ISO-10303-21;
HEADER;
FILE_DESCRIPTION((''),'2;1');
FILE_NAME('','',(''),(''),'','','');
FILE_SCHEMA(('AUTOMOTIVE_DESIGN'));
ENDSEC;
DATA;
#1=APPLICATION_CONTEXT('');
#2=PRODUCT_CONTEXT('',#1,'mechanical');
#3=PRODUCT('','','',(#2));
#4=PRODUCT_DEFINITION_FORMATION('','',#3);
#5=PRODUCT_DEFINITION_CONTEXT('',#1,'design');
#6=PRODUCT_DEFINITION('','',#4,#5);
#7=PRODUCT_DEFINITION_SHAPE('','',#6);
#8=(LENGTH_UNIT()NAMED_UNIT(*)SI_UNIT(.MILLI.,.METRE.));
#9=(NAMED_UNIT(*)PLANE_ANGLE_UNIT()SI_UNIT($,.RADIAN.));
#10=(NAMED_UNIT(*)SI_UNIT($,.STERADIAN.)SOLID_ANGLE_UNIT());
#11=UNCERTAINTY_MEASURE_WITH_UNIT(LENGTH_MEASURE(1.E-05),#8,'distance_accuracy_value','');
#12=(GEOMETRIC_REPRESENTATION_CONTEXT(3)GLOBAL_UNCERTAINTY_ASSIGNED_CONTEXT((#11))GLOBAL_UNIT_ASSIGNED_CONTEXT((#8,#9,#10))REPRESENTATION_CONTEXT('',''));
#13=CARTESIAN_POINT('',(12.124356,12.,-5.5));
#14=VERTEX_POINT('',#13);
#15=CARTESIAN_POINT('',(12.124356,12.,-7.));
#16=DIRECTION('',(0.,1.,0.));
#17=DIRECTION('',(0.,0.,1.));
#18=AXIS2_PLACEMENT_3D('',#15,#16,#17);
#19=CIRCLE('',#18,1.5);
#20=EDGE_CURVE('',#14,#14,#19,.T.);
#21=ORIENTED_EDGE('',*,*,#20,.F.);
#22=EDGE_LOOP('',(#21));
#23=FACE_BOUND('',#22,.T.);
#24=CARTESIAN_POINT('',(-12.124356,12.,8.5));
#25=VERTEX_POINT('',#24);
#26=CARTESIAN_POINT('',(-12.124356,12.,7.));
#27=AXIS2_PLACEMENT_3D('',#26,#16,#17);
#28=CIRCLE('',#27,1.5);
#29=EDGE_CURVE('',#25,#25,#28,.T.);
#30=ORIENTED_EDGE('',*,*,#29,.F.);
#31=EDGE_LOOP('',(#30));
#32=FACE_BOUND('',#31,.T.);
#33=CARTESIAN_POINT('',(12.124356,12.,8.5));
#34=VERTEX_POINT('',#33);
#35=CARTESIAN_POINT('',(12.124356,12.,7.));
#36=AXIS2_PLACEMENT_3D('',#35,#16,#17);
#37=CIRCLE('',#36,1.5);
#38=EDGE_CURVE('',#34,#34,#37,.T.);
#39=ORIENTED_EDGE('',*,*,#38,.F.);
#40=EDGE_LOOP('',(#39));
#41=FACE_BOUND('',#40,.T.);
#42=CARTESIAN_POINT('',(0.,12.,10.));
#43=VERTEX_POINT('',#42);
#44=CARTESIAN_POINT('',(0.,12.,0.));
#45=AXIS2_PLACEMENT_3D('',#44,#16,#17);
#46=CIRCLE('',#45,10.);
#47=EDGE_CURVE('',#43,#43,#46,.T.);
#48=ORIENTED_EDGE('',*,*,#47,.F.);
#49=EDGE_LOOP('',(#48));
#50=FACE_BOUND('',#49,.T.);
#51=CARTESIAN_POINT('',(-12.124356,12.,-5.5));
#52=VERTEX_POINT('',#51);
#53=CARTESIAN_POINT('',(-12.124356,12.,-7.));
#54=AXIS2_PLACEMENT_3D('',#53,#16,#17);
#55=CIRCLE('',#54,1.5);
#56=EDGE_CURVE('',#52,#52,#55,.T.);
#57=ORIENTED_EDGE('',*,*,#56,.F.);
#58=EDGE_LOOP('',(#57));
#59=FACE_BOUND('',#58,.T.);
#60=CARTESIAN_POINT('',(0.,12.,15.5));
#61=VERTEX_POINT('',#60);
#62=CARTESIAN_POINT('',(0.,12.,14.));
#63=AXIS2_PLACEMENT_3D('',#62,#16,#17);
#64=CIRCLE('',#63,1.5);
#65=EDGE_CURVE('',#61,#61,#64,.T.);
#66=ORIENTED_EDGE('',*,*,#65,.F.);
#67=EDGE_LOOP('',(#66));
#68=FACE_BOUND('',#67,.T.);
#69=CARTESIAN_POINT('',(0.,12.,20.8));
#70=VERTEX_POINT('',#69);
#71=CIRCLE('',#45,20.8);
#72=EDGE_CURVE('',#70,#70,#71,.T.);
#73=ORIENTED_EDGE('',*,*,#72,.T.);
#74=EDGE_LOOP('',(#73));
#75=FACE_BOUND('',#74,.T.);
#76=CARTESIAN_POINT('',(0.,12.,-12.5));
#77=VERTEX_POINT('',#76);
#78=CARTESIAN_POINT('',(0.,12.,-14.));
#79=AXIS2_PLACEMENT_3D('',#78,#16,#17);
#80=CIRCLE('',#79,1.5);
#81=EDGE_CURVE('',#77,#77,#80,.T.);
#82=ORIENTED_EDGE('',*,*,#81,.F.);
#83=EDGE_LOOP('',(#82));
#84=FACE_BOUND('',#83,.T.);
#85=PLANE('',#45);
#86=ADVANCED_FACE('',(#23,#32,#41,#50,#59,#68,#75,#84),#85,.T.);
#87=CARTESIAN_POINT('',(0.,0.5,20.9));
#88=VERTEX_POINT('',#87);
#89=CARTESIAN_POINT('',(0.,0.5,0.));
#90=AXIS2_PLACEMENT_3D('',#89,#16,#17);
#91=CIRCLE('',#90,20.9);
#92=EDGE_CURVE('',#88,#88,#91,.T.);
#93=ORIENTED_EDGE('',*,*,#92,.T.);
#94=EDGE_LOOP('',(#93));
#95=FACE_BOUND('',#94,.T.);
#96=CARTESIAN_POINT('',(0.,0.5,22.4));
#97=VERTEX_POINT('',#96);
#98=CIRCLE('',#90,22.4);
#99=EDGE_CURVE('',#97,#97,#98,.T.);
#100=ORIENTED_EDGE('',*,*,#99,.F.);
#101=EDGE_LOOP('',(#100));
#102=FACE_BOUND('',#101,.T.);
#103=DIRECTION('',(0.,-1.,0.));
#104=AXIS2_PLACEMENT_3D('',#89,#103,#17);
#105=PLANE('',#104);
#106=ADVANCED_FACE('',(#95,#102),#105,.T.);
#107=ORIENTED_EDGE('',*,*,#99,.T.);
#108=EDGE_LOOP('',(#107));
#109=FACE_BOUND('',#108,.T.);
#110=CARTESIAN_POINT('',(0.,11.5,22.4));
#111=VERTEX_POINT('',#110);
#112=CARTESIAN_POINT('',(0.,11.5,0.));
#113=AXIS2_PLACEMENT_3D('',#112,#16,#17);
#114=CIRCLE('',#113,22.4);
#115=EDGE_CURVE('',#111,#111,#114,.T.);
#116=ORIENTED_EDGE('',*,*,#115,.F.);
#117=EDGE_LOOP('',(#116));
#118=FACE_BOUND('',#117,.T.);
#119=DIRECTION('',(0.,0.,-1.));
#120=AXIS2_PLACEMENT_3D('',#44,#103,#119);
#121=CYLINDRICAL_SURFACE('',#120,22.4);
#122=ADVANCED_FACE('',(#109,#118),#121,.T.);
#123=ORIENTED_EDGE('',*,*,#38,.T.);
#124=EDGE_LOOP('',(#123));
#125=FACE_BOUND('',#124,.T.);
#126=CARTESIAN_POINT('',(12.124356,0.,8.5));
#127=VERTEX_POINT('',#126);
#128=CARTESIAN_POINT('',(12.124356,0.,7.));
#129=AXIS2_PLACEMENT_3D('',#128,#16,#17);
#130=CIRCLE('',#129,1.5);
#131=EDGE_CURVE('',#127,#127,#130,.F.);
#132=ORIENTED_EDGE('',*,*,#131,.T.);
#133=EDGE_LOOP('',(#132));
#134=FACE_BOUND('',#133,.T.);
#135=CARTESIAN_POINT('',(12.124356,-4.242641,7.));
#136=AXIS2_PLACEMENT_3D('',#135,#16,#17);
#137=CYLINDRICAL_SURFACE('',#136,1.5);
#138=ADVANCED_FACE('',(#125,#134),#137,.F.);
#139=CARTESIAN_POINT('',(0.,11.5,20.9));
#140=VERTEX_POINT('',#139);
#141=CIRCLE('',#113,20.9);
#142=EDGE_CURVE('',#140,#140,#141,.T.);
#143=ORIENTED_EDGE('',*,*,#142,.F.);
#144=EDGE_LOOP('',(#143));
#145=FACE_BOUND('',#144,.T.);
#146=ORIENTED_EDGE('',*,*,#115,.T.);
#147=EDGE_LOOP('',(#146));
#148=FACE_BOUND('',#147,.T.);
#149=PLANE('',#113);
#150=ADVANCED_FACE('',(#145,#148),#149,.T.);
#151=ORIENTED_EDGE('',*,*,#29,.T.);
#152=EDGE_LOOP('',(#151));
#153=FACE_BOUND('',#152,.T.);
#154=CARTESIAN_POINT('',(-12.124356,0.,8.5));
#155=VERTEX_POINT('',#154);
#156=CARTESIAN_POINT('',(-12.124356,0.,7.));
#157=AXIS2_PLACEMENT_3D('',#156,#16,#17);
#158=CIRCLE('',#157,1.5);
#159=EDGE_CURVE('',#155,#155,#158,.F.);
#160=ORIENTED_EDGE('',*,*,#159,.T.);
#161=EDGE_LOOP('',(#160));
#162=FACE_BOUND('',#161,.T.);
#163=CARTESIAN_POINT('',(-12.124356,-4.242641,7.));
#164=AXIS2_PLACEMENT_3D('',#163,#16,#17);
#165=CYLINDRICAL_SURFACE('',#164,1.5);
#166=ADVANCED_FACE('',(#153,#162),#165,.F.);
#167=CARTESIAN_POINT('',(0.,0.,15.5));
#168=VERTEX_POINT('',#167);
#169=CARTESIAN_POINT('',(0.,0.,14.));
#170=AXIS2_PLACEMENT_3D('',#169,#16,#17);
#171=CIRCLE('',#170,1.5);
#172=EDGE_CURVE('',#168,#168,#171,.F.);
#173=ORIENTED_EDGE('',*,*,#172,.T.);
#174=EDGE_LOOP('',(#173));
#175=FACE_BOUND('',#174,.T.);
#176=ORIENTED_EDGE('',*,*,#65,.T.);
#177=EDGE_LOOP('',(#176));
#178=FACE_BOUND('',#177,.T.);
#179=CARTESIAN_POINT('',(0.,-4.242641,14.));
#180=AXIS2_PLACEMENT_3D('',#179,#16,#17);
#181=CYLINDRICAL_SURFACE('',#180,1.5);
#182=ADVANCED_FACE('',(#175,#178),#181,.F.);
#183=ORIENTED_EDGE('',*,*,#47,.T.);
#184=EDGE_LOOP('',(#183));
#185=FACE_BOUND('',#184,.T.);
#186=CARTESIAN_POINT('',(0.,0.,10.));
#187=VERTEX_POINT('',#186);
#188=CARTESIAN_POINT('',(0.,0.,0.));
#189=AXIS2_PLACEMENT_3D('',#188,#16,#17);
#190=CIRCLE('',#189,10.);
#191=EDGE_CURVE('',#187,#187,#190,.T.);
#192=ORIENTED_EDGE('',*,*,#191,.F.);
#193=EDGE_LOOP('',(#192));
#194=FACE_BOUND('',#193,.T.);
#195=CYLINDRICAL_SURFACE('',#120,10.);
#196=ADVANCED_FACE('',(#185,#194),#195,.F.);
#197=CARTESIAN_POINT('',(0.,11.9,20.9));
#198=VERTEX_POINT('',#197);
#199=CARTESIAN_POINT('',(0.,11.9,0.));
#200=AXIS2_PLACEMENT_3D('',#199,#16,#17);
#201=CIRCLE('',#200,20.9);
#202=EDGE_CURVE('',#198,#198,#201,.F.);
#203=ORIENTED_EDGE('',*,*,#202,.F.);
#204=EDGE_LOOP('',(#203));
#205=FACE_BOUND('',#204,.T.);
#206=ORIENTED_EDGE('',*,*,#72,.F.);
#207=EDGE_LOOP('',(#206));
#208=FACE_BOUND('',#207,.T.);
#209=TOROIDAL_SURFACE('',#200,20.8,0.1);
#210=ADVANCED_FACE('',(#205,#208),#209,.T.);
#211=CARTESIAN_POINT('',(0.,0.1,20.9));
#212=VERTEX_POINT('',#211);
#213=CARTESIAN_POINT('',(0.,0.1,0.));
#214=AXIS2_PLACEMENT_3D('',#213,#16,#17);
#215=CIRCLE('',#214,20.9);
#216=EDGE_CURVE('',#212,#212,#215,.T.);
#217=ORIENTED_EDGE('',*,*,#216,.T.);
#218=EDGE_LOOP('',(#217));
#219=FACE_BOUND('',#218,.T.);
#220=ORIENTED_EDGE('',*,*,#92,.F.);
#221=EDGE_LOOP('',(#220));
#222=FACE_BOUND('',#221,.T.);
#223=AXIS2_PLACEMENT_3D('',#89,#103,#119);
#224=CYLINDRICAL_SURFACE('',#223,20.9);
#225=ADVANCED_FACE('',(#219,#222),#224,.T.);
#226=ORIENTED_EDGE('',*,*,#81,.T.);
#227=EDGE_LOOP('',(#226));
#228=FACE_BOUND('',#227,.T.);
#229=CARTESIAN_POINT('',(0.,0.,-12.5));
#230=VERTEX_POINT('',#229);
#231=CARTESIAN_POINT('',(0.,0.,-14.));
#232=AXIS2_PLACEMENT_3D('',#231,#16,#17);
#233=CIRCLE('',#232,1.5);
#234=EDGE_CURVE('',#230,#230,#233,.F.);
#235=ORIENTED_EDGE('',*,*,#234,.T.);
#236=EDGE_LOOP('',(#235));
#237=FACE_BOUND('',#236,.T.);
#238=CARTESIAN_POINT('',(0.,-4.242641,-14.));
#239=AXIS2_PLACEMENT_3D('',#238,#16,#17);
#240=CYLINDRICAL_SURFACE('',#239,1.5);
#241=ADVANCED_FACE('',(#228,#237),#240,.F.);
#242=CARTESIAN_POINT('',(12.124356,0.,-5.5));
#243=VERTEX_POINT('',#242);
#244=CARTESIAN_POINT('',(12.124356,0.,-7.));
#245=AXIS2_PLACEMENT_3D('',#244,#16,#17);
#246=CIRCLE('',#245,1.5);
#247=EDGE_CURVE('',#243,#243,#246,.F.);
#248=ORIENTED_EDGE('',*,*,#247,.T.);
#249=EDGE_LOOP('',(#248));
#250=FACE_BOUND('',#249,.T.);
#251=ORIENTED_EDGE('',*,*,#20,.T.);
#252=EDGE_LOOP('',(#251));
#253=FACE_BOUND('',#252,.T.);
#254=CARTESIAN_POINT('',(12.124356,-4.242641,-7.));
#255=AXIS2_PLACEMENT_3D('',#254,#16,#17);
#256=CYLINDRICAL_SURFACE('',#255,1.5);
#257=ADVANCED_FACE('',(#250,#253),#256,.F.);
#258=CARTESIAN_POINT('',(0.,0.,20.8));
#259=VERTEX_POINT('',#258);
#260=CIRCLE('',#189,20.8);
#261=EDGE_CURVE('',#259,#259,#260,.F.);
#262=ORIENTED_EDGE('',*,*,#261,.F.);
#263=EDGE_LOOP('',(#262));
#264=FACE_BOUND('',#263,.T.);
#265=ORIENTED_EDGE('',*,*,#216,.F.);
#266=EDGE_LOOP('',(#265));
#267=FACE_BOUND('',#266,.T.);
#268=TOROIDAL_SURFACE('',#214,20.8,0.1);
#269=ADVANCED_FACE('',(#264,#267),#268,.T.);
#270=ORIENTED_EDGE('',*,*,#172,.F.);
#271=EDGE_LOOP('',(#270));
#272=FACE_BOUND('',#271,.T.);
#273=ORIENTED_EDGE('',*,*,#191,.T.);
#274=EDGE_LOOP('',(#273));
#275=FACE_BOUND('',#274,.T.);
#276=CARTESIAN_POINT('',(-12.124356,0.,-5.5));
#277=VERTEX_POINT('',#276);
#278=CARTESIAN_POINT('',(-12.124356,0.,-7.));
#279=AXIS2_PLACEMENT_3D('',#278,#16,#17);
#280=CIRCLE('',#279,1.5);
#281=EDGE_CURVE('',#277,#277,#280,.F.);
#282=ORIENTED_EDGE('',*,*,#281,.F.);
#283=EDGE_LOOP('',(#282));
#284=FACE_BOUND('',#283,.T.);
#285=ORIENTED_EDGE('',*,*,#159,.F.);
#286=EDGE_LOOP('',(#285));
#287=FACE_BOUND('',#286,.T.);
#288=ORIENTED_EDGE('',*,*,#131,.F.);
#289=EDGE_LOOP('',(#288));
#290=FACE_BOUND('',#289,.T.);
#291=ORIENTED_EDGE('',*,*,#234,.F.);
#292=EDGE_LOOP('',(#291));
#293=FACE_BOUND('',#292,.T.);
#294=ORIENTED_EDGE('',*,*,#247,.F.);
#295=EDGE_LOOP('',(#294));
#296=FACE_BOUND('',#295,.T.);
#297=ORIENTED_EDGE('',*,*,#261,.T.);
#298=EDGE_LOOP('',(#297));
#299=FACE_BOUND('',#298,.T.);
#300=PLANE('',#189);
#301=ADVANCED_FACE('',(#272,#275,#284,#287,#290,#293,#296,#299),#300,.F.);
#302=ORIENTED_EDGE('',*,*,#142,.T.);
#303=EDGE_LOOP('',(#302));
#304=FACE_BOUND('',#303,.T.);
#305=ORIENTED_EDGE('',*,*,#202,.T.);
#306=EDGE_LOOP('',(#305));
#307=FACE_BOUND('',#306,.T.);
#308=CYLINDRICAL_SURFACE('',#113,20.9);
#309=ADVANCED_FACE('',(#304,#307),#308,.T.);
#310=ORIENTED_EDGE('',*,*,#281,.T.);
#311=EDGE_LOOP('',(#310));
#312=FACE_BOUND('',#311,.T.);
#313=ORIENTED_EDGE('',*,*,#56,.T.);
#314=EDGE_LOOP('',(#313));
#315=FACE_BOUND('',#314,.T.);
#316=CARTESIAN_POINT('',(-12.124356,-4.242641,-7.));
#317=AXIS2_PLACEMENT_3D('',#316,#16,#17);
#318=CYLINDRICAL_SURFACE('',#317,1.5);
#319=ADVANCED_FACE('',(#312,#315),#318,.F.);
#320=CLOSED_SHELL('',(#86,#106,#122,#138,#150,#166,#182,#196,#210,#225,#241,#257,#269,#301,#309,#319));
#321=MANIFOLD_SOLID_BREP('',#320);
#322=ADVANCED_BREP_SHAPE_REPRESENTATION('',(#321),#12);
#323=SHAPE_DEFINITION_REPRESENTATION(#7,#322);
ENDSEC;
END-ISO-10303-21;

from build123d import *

# Parameters (mm, degrees)
SKETCH1_R           = 22.4
SKETCH1_R_2         = 10
BOSS_EXTRUDE1_DEPTH = 12
CUT_EXTRUDE1_START  = -0.5
SKETCH2_R           = 22.4
SKETCH2_R_2         = 20.9
CUT_EXTRUDE1_DEPTH  = 0.5
FILLET1_R           = 0.1
FILLET2_R           = 0.1
SKETCH3_R           = 1.5
CUT_EXTRUDE2_DEPTH  = 12


with BuildPart() as part:
    # Sketch1 → Boss-Extrude1 (new body)
    with BuildSketch(Plane(origin=(0, 0, 0), x_dir=(1, 0, 0), z_dir=(0, 1, 0))):
        with Locations(Location((0, 0, 0), (0, 0, 270))):
            Circle(SKETCH1_R)
        with Locations(Location((0, 0, 0), (0, 0, 270))):
            Circle(SKETCH1_R_2, mode=Mode.SUBTRACT)
    extrude(amount=BOSS_EXTRUDE1_DEPTH)

    # Sketch2 → Cut-Extrude1 (cut)
    with BuildSketch(Plane(origin=(0, 12, 0), x_dir=(1, 0, 0), z_dir=(0, 1, 0)).offset(CUT_EXTRUDE1_START)):
        with Locations(Location((0, 0, 0), (0, 0, 270))):
            Circle(SKETCH2_R)
        with Locations(Location((0, 0, 0), (0, 0, 270))):
            Circle(SKETCH2_R_2, mode=Mode.SUBTRACT)
    cut_extrude1 = extrude(amount=CUT_EXTRUDE1_DEPTH, mode=Mode.SUBTRACT)

    # Fillet1
    fillet1_edges = [part.edges().sort_by_distance(p)[0] for p in [
        (0, 12, -20.9),
    ]]
    fillet(fillet1_edges, radius=FILLET1_R)

    # Mirror3: Cut-Extrude1 across plane
    add(cut_extrude1.mirror(Plane.ZX.offset(6)), mode=Mode.SUBTRACT)

    # Fillet2
    fillet2_edges = [part.edges().sort_by_distance(p)[0] for p in [
        (0, 0, -20.9),
    ]]
    fillet(fillet2_edges, radius=FILLET2_R)

    # Sketch3 → Cut-Extrude2 (cut)
    with BuildSketch(Plane(origin=(0, 12, 0), x_dir=(1, 0, 0), z_dir=(0, 1, 0))):
        with Locations(Location((0, 14, 0), (0, 0, 270))):
            Circle(SKETCH3_R)
        with Locations(Location((12.124355653, 7, 0), (0, 0, 270))):
            Circle(SKETCH3_R)
        with Locations(Location((12.124355653, -7, 0), (0, 0, 270))):
            Circle(SKETCH3_R)
        with Locations(Location((0, -14, 0), (0, 0, 270))):
            Circle(SKETCH3_R)
        with Locations(Location((-12.124355653, -7, 0), (0, 0, 270))):
            Circle(SKETCH3_R)
        with Locations(Location((-12.124355653, 7, 0), (0, 0, 270))):
            Circle(SKETCH3_R)
    extrude(amount=-CUT_EXTRUDE2_DEPTH, mode=Mode.SUBTRACT)


solid = part.part
